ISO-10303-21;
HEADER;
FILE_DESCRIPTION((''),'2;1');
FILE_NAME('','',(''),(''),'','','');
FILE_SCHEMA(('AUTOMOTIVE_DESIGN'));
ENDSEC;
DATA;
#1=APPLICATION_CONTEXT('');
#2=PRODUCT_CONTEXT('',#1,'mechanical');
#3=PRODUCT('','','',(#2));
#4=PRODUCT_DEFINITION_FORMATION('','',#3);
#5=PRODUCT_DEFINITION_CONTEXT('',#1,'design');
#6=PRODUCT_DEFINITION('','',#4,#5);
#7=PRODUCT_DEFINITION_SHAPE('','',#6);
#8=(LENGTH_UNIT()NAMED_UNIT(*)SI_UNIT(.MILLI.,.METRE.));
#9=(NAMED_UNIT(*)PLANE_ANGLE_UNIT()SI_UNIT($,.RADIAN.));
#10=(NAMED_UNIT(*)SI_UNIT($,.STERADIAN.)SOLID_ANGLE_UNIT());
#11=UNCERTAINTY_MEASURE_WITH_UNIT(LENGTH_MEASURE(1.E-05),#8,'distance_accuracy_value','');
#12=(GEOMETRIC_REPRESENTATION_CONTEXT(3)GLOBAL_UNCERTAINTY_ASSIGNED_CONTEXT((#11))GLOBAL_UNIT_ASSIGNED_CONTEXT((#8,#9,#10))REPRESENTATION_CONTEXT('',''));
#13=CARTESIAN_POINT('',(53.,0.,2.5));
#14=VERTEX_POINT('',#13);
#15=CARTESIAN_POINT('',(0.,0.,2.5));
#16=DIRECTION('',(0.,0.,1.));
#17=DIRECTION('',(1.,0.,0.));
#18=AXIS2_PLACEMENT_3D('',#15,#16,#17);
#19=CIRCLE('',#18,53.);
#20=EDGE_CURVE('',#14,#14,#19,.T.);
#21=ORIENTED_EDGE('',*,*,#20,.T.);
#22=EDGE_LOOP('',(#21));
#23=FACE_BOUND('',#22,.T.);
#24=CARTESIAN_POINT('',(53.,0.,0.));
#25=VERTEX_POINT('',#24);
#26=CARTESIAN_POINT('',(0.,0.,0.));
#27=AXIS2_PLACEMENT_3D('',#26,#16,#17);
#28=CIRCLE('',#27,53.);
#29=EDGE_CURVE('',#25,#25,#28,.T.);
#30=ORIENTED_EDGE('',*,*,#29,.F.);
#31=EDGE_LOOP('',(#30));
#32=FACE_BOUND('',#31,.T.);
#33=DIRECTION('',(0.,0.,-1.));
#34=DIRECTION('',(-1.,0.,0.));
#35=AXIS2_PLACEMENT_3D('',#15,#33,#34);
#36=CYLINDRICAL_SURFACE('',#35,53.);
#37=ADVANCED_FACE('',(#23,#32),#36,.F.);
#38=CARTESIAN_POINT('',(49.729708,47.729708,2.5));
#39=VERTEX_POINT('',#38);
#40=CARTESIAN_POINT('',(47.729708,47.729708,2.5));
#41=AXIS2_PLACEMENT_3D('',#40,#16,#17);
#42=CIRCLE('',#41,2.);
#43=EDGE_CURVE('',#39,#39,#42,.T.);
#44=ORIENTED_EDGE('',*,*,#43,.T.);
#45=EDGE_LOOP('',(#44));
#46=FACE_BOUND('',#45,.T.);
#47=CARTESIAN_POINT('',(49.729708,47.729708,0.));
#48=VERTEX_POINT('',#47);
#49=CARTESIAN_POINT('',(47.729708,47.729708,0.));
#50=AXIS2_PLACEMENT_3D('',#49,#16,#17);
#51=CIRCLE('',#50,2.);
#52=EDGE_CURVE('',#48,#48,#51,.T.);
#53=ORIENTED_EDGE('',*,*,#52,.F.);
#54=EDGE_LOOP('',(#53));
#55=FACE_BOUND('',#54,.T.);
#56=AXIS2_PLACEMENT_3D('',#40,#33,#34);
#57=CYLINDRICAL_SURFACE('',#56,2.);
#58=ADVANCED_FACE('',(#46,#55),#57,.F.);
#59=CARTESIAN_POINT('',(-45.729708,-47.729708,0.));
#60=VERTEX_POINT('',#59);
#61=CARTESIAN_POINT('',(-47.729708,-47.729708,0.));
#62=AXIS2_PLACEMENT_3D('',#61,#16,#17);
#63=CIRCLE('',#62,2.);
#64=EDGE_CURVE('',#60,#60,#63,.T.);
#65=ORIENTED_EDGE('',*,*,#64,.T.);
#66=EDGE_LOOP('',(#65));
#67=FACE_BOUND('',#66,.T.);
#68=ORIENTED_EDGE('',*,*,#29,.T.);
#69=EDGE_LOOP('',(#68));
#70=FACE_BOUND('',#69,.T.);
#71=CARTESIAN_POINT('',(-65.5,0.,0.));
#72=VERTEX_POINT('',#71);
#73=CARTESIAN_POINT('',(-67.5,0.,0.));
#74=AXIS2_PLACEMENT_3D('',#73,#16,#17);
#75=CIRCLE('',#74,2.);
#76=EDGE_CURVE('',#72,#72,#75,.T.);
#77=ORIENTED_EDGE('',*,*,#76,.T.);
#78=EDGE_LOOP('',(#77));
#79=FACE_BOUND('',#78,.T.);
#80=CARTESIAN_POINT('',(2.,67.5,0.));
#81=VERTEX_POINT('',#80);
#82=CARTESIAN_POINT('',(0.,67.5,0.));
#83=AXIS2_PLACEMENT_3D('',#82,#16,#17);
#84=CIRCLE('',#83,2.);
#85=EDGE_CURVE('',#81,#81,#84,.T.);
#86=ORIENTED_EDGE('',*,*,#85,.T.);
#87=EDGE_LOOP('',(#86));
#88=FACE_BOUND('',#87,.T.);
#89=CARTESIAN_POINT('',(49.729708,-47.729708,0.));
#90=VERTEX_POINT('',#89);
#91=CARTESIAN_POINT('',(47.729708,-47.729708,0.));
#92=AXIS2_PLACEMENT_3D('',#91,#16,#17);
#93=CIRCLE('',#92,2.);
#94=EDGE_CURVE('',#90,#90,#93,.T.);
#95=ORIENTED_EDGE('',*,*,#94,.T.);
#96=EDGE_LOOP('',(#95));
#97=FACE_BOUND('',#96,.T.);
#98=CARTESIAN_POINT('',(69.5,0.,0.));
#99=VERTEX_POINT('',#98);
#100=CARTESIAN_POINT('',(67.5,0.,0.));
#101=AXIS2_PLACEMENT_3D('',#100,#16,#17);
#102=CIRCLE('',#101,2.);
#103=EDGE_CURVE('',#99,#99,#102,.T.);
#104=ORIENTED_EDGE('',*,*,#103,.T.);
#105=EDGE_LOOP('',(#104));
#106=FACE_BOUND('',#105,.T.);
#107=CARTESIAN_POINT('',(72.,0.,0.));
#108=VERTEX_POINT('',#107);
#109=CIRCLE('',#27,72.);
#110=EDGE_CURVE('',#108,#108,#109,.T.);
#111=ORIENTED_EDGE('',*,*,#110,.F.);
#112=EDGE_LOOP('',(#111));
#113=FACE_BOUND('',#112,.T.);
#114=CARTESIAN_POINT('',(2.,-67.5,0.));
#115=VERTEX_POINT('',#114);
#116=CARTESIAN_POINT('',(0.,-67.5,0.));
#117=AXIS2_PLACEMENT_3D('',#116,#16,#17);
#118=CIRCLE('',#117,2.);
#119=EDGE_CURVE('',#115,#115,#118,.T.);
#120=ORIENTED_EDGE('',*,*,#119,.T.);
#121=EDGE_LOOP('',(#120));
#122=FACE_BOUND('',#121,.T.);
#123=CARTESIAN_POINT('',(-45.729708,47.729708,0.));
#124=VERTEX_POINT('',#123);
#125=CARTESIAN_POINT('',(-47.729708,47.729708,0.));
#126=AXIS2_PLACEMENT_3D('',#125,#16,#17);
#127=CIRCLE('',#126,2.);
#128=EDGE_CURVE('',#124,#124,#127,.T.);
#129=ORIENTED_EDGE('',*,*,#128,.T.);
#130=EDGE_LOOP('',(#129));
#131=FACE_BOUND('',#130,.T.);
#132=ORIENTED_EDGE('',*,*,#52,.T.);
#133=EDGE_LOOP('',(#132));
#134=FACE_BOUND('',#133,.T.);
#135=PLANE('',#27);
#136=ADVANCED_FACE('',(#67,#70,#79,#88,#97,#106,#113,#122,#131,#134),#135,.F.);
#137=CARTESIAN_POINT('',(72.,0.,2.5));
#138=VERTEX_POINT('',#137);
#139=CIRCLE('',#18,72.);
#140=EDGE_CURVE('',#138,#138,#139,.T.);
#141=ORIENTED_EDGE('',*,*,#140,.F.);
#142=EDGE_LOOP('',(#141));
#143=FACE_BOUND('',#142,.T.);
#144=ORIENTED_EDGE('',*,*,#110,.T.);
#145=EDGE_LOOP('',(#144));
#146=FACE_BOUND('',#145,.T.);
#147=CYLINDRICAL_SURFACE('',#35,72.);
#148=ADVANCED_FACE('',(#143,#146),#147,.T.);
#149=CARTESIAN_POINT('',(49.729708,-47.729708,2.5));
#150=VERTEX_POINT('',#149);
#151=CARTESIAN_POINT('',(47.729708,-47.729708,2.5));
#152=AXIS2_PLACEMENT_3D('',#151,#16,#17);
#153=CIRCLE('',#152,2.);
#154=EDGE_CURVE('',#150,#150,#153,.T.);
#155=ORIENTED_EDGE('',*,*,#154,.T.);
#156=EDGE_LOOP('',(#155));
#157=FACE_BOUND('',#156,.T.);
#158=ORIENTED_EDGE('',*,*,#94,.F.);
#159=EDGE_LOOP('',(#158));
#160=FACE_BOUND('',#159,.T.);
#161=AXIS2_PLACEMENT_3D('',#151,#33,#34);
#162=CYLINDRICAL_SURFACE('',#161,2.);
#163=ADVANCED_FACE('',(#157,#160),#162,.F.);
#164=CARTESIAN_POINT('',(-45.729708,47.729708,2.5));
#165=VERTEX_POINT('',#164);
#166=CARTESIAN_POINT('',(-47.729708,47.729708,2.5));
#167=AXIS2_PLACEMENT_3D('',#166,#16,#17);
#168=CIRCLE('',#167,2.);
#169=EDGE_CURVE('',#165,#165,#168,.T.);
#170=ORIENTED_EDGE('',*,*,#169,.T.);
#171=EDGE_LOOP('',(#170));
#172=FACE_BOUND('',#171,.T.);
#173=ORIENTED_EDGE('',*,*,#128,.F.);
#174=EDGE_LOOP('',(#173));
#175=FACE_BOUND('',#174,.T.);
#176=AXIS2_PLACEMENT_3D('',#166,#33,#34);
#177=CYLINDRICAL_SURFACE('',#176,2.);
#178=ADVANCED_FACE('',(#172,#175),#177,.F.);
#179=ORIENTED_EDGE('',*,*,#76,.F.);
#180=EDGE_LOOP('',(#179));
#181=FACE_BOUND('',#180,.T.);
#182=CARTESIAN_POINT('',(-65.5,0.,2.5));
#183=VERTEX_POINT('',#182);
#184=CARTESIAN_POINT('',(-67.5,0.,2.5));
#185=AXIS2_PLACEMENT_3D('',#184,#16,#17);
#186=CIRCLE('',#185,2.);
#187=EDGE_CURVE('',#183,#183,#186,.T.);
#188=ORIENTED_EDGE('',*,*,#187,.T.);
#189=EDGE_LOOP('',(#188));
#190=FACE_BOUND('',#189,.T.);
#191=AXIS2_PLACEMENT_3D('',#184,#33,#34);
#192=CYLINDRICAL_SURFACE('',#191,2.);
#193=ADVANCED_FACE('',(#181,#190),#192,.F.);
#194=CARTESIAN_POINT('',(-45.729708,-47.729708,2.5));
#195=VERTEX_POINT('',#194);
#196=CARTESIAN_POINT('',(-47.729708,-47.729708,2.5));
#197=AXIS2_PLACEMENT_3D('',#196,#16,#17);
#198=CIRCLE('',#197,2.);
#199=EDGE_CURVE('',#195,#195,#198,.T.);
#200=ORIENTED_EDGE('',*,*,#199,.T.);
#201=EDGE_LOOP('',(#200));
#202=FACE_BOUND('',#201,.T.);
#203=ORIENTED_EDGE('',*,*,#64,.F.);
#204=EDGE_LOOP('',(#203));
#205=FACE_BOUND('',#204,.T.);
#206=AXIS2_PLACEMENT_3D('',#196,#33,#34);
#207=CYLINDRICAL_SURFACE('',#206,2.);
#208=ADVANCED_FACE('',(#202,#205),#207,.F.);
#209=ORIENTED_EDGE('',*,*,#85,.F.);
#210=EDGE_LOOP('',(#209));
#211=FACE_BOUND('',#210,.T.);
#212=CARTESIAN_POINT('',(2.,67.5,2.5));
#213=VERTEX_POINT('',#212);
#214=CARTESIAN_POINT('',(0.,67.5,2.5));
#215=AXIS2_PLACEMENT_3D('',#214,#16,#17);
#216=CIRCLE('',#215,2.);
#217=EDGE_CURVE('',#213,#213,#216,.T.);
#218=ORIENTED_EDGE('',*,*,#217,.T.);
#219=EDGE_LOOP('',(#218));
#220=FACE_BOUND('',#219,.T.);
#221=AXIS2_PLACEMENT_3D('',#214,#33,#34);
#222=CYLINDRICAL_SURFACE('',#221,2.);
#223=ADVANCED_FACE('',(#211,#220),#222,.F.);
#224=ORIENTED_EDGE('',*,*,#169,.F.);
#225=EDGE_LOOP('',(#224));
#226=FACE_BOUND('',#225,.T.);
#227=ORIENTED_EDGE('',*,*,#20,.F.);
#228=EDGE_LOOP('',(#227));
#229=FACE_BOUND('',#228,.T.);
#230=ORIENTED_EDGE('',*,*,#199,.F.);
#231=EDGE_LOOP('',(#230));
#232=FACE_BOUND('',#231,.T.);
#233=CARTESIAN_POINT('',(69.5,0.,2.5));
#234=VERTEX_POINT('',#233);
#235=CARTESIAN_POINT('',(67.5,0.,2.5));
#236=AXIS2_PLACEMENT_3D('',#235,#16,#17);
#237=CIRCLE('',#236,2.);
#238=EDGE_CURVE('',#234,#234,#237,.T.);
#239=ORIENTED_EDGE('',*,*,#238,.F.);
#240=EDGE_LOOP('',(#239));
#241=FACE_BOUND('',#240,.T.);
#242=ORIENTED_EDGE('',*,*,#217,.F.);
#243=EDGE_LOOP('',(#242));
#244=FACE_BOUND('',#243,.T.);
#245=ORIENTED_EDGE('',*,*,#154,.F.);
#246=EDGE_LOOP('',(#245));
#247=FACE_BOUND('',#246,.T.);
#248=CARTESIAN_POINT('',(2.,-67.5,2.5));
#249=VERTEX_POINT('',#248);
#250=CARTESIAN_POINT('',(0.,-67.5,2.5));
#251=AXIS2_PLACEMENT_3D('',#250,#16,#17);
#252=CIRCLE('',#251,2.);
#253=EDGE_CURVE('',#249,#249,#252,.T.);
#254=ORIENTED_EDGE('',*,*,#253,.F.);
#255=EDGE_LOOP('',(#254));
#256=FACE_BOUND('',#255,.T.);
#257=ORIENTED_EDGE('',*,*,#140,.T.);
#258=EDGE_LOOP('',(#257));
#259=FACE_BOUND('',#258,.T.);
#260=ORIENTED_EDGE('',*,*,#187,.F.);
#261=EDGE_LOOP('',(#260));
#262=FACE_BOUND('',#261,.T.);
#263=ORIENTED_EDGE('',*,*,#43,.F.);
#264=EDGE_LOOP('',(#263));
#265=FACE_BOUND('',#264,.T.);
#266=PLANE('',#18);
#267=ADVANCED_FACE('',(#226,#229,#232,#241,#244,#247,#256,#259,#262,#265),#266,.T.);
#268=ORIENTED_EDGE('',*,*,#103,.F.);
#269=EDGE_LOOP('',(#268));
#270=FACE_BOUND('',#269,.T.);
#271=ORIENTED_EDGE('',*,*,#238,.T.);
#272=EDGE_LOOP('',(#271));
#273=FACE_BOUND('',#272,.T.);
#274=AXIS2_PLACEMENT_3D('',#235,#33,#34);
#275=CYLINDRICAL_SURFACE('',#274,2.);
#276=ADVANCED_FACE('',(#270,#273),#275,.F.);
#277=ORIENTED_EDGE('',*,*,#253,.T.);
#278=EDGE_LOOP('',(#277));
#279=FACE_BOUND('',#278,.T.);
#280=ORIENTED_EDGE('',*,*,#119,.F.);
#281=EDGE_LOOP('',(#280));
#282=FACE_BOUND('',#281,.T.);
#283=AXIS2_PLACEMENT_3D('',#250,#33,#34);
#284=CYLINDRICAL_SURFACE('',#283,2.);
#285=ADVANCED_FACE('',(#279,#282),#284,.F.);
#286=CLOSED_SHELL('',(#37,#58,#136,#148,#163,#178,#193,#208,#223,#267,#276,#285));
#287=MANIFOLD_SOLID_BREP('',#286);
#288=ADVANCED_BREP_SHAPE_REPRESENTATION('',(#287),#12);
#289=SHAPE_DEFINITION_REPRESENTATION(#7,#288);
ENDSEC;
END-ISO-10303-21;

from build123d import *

# Parameters (mm, degrees)
SKETCH_1_R      = 72
SKETCH_1_R_2    = 2
SKETCH_1_R_3    = 53
EXTRUDE_1_DEPTH = 2.5


with BuildPart() as part:
    # 草图1 → 凸台-拉伸1 (new body)
    with BuildSketch(Plane.XY):
        Circle(SKETCH_1_R)
        with Locations((0, -67.5)):
            Circle(SKETCH_1_R_2, mode=Mode.SUBTRACT)
        with Locations((-47.72970773, -47.72970773)):
            Circle(SKETCH_1_R_2, mode=Mode.SUBTRACT)
        with Locations((-67.5, 0)):
            Circle(SKETCH_1_R_2, mode=Mode.SUBTRACT)
        with Locations((-47.72970773, 47.72970773)):
            Circle(SKETCH_1_R_2, mode=Mode.SUBTRACT)
        with Locations((0, 67.5)):
            Circle(SKETCH_1_R_2, mode=Mode.SUBTRACT)
        with Locations((47.72970773, 47.72970773)):
            Circle(SKETCH_1_R_2, mode=Mode.SUBTRACT)
        with Locations((67.5, 0)):
            Circle(SKETCH_1_R_2, mode=Mode.SUBTRACT)
        with Locations((47.72970773, -47.72970773)):
            Circle(SKETCH_1_R_2, mode=Mode.SUBTRACT)
        Circle(SKETCH_1_R_3, mode=Mode.SUBTRACT)
    extrude(amount=EXTRUDE_1_DEPTH)


solid = part.part
